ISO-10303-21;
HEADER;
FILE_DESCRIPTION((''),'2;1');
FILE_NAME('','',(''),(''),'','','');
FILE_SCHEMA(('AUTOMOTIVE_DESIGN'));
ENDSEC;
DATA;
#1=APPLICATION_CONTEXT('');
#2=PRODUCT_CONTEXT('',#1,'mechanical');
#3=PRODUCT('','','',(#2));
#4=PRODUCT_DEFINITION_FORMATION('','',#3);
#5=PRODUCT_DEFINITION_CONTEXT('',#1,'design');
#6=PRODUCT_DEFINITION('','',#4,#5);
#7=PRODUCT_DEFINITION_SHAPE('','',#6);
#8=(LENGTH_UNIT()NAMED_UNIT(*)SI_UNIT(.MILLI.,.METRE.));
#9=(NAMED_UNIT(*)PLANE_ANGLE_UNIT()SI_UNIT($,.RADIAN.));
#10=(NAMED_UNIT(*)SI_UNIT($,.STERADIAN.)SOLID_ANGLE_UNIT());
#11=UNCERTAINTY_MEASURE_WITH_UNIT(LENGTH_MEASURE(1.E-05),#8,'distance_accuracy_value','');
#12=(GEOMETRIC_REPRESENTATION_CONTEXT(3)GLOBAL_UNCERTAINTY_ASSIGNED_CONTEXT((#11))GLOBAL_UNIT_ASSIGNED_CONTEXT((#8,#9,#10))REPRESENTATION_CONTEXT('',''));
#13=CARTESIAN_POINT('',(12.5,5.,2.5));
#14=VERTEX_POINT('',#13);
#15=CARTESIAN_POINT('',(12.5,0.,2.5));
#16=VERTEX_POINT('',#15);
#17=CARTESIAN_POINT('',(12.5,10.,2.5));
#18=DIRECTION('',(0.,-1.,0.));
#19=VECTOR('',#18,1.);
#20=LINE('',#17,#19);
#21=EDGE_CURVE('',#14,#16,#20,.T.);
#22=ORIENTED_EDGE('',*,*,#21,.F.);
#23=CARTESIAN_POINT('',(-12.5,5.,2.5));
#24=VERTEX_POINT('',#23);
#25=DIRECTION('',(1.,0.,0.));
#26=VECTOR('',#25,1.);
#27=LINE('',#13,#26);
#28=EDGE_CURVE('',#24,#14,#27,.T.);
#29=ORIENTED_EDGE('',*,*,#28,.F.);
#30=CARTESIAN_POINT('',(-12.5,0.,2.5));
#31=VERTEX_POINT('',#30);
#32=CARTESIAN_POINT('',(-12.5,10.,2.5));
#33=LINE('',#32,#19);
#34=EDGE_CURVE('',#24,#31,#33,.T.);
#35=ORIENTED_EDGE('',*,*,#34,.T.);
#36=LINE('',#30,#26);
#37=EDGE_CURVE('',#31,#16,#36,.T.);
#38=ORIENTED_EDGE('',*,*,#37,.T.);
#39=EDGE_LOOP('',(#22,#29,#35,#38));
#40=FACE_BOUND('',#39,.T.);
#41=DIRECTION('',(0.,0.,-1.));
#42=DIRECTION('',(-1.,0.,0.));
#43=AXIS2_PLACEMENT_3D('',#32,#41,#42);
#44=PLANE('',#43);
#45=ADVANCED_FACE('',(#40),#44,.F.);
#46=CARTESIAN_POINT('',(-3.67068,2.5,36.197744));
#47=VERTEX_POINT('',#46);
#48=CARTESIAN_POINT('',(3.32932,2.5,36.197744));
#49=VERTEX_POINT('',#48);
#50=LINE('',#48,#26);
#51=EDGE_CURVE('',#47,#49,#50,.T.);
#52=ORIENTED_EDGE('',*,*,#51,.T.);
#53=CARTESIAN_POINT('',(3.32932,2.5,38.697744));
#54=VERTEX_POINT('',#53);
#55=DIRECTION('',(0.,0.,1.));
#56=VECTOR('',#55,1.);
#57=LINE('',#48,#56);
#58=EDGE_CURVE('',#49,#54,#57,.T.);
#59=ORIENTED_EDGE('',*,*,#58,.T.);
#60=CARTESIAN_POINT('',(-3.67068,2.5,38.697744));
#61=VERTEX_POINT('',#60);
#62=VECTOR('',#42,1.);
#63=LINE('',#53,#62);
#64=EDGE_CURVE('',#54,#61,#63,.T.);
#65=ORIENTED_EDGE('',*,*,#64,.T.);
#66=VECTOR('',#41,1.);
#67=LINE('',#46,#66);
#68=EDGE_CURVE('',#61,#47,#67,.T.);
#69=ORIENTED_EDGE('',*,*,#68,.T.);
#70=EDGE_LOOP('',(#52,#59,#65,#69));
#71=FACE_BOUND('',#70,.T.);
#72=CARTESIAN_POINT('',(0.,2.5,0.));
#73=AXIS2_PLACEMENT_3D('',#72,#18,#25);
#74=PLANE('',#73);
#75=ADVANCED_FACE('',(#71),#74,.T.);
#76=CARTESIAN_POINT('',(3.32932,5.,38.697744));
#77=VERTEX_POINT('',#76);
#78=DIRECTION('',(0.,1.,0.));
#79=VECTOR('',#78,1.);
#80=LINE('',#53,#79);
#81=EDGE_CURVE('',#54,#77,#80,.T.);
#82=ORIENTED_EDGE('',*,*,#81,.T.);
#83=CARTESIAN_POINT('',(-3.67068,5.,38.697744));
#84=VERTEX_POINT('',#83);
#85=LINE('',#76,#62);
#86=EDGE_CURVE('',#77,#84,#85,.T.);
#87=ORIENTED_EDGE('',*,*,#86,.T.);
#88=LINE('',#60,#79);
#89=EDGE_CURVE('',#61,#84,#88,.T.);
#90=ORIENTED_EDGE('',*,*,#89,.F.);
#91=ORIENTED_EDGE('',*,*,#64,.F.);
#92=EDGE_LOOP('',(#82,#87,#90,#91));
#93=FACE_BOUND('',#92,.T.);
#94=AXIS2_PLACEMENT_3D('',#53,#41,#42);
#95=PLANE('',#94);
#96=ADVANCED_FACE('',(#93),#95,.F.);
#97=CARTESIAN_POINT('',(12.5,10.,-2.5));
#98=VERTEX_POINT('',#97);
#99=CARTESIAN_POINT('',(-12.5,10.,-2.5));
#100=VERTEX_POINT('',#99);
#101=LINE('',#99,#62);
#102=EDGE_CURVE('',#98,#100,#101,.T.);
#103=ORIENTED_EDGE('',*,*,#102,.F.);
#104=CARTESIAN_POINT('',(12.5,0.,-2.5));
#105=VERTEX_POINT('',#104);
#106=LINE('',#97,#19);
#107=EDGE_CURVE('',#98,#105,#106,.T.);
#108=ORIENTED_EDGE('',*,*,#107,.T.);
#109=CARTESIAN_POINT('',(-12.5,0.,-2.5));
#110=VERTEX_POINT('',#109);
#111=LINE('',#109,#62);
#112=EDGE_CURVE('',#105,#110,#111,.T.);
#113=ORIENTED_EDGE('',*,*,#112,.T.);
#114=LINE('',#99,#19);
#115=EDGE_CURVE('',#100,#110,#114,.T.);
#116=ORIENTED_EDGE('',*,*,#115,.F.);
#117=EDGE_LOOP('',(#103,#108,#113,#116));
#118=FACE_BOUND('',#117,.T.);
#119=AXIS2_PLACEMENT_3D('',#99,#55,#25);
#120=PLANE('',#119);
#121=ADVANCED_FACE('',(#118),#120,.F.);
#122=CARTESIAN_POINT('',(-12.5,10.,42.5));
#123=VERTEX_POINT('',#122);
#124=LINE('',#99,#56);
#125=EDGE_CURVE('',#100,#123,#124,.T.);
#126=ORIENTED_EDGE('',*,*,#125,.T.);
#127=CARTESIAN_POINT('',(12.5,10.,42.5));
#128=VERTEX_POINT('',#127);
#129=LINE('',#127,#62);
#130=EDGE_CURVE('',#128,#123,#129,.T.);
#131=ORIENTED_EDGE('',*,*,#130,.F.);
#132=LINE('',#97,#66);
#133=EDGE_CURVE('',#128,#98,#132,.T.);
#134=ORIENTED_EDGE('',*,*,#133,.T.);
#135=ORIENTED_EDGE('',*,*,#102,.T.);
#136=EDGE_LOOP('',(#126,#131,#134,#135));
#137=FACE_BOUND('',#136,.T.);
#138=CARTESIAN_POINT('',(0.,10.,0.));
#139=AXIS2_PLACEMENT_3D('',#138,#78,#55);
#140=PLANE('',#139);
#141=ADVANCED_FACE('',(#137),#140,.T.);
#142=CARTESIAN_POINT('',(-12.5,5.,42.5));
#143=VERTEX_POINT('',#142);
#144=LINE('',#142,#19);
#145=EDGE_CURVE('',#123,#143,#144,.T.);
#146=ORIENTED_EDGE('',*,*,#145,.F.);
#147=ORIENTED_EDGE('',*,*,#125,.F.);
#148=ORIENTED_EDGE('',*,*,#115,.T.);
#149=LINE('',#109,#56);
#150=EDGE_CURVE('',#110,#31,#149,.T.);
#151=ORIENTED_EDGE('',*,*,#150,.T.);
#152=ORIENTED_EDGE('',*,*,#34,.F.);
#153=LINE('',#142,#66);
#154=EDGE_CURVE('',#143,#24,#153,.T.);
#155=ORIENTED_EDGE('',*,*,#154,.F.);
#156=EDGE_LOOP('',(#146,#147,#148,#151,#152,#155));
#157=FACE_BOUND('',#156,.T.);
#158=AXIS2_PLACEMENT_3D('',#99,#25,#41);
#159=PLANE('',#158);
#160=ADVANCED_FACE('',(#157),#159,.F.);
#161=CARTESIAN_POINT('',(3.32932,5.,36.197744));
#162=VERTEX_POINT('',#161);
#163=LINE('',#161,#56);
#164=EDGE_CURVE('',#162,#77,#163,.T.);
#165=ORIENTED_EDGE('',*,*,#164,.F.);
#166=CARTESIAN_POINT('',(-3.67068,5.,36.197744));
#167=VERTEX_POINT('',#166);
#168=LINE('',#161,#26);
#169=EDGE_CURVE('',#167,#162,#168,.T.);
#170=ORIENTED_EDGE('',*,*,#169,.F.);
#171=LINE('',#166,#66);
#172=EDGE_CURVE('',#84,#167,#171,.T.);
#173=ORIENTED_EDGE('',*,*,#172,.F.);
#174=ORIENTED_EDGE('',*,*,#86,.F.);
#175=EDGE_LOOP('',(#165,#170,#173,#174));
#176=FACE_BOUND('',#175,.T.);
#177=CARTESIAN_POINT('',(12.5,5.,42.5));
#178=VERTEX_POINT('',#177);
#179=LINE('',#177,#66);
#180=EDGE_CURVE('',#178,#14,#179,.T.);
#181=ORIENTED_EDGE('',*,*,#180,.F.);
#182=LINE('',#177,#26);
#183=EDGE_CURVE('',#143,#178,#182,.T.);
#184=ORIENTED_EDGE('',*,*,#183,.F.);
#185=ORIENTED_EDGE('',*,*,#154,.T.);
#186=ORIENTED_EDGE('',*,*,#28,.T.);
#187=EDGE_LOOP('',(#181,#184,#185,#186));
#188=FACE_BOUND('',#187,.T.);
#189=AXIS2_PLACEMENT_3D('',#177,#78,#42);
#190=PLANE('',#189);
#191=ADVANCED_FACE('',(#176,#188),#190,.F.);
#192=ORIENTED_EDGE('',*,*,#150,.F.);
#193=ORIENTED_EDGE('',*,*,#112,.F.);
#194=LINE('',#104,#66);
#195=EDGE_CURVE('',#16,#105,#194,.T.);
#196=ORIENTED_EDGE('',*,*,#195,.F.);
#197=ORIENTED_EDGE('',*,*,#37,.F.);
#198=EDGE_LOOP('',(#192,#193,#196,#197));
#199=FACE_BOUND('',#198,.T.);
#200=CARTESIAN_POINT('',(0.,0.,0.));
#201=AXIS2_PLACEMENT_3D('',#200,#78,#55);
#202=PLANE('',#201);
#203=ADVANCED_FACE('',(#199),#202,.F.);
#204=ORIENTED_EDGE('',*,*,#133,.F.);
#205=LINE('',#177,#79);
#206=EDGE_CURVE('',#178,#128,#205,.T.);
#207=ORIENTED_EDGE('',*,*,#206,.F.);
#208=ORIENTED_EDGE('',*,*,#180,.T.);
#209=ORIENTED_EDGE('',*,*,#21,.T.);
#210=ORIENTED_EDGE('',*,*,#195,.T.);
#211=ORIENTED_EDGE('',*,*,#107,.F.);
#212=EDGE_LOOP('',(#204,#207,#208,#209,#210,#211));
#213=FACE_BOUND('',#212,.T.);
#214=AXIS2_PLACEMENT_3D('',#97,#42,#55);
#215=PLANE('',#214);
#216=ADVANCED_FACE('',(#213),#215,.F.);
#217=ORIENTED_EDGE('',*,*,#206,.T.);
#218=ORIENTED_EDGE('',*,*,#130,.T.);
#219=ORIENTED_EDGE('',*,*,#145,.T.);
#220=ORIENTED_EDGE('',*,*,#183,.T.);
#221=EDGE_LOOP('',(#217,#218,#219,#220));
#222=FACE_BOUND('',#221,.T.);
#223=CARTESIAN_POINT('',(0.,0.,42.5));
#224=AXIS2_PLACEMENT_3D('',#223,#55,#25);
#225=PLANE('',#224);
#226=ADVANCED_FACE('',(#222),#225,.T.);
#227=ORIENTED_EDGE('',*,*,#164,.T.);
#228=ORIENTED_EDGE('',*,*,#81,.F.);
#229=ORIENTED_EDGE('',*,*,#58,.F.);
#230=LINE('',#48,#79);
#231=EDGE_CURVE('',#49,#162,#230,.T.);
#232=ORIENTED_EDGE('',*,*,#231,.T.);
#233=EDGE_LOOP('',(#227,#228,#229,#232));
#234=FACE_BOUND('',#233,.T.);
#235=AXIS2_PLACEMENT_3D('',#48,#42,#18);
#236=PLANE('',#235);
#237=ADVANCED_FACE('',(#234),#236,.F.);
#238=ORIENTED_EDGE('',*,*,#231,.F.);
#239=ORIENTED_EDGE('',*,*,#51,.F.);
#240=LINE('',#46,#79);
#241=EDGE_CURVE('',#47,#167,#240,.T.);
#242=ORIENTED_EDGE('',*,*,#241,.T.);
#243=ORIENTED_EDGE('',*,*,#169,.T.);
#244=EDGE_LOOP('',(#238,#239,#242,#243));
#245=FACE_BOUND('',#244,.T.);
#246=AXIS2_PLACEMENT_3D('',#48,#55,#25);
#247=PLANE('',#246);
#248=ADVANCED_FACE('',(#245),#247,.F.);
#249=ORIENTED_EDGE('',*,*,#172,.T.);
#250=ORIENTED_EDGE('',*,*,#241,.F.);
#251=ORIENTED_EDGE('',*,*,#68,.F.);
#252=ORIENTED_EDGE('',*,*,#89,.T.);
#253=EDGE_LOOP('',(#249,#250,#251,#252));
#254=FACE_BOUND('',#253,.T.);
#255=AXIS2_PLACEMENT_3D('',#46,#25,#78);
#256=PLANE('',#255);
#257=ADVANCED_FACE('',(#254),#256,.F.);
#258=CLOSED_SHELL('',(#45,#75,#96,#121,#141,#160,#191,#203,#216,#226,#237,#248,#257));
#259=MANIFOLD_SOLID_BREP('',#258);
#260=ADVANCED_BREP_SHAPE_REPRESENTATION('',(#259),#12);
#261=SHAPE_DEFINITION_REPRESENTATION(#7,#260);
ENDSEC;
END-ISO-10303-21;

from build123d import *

# Parameters (mm, degrees)
SKETCH1_W           = 25
SKETCH1_H           = 5
BOSS_EXTRUDE1_DEPTH = 10
SKETCH2_W           = 25
SKETCH2_H           = 5
BOSS_EXTRUDE2_DEPTH = 40
SKETCH3_W           = 7
SKETCH3_H           = 2.5
BOSS_EXTRUDE3_DEPTH = 2.5


with BuildPart() as part:
    # Sketch1 → Boss-Extrude1 (new body)
    with BuildSketch(Plane(origin=(0, 0, 0), x_dir=(1, 0, 0), z_dir=(0, 1, 0))):
        Rectangle(SKETCH1_W, SKETCH1_H)
    extrude(amount=BOSS_EXTRUDE1_DEPTH)

    # Sketch2 → Boss-Extrude2 (add)
    with BuildSketch(Plane.XY.offset(2.5)):
        with Locations((0, 7.5)):
            Rectangle(SKETCH2_W, SKETCH2_H)
    extrude(amount=BOSS_EXTRUDE2_DEPTH)

    # Sketch3 → Boss-Extrude3 (add)
    with BuildSketch(Plane.XZ.offset(-5)):
        with Locations((-0.17068016, 37.447744065)):
            Rectangle(SKETCH3_W, SKETCH3_H)
    extrude(amount=BOSS_EXTRUDE3_DEPTH)


solid = part.part
